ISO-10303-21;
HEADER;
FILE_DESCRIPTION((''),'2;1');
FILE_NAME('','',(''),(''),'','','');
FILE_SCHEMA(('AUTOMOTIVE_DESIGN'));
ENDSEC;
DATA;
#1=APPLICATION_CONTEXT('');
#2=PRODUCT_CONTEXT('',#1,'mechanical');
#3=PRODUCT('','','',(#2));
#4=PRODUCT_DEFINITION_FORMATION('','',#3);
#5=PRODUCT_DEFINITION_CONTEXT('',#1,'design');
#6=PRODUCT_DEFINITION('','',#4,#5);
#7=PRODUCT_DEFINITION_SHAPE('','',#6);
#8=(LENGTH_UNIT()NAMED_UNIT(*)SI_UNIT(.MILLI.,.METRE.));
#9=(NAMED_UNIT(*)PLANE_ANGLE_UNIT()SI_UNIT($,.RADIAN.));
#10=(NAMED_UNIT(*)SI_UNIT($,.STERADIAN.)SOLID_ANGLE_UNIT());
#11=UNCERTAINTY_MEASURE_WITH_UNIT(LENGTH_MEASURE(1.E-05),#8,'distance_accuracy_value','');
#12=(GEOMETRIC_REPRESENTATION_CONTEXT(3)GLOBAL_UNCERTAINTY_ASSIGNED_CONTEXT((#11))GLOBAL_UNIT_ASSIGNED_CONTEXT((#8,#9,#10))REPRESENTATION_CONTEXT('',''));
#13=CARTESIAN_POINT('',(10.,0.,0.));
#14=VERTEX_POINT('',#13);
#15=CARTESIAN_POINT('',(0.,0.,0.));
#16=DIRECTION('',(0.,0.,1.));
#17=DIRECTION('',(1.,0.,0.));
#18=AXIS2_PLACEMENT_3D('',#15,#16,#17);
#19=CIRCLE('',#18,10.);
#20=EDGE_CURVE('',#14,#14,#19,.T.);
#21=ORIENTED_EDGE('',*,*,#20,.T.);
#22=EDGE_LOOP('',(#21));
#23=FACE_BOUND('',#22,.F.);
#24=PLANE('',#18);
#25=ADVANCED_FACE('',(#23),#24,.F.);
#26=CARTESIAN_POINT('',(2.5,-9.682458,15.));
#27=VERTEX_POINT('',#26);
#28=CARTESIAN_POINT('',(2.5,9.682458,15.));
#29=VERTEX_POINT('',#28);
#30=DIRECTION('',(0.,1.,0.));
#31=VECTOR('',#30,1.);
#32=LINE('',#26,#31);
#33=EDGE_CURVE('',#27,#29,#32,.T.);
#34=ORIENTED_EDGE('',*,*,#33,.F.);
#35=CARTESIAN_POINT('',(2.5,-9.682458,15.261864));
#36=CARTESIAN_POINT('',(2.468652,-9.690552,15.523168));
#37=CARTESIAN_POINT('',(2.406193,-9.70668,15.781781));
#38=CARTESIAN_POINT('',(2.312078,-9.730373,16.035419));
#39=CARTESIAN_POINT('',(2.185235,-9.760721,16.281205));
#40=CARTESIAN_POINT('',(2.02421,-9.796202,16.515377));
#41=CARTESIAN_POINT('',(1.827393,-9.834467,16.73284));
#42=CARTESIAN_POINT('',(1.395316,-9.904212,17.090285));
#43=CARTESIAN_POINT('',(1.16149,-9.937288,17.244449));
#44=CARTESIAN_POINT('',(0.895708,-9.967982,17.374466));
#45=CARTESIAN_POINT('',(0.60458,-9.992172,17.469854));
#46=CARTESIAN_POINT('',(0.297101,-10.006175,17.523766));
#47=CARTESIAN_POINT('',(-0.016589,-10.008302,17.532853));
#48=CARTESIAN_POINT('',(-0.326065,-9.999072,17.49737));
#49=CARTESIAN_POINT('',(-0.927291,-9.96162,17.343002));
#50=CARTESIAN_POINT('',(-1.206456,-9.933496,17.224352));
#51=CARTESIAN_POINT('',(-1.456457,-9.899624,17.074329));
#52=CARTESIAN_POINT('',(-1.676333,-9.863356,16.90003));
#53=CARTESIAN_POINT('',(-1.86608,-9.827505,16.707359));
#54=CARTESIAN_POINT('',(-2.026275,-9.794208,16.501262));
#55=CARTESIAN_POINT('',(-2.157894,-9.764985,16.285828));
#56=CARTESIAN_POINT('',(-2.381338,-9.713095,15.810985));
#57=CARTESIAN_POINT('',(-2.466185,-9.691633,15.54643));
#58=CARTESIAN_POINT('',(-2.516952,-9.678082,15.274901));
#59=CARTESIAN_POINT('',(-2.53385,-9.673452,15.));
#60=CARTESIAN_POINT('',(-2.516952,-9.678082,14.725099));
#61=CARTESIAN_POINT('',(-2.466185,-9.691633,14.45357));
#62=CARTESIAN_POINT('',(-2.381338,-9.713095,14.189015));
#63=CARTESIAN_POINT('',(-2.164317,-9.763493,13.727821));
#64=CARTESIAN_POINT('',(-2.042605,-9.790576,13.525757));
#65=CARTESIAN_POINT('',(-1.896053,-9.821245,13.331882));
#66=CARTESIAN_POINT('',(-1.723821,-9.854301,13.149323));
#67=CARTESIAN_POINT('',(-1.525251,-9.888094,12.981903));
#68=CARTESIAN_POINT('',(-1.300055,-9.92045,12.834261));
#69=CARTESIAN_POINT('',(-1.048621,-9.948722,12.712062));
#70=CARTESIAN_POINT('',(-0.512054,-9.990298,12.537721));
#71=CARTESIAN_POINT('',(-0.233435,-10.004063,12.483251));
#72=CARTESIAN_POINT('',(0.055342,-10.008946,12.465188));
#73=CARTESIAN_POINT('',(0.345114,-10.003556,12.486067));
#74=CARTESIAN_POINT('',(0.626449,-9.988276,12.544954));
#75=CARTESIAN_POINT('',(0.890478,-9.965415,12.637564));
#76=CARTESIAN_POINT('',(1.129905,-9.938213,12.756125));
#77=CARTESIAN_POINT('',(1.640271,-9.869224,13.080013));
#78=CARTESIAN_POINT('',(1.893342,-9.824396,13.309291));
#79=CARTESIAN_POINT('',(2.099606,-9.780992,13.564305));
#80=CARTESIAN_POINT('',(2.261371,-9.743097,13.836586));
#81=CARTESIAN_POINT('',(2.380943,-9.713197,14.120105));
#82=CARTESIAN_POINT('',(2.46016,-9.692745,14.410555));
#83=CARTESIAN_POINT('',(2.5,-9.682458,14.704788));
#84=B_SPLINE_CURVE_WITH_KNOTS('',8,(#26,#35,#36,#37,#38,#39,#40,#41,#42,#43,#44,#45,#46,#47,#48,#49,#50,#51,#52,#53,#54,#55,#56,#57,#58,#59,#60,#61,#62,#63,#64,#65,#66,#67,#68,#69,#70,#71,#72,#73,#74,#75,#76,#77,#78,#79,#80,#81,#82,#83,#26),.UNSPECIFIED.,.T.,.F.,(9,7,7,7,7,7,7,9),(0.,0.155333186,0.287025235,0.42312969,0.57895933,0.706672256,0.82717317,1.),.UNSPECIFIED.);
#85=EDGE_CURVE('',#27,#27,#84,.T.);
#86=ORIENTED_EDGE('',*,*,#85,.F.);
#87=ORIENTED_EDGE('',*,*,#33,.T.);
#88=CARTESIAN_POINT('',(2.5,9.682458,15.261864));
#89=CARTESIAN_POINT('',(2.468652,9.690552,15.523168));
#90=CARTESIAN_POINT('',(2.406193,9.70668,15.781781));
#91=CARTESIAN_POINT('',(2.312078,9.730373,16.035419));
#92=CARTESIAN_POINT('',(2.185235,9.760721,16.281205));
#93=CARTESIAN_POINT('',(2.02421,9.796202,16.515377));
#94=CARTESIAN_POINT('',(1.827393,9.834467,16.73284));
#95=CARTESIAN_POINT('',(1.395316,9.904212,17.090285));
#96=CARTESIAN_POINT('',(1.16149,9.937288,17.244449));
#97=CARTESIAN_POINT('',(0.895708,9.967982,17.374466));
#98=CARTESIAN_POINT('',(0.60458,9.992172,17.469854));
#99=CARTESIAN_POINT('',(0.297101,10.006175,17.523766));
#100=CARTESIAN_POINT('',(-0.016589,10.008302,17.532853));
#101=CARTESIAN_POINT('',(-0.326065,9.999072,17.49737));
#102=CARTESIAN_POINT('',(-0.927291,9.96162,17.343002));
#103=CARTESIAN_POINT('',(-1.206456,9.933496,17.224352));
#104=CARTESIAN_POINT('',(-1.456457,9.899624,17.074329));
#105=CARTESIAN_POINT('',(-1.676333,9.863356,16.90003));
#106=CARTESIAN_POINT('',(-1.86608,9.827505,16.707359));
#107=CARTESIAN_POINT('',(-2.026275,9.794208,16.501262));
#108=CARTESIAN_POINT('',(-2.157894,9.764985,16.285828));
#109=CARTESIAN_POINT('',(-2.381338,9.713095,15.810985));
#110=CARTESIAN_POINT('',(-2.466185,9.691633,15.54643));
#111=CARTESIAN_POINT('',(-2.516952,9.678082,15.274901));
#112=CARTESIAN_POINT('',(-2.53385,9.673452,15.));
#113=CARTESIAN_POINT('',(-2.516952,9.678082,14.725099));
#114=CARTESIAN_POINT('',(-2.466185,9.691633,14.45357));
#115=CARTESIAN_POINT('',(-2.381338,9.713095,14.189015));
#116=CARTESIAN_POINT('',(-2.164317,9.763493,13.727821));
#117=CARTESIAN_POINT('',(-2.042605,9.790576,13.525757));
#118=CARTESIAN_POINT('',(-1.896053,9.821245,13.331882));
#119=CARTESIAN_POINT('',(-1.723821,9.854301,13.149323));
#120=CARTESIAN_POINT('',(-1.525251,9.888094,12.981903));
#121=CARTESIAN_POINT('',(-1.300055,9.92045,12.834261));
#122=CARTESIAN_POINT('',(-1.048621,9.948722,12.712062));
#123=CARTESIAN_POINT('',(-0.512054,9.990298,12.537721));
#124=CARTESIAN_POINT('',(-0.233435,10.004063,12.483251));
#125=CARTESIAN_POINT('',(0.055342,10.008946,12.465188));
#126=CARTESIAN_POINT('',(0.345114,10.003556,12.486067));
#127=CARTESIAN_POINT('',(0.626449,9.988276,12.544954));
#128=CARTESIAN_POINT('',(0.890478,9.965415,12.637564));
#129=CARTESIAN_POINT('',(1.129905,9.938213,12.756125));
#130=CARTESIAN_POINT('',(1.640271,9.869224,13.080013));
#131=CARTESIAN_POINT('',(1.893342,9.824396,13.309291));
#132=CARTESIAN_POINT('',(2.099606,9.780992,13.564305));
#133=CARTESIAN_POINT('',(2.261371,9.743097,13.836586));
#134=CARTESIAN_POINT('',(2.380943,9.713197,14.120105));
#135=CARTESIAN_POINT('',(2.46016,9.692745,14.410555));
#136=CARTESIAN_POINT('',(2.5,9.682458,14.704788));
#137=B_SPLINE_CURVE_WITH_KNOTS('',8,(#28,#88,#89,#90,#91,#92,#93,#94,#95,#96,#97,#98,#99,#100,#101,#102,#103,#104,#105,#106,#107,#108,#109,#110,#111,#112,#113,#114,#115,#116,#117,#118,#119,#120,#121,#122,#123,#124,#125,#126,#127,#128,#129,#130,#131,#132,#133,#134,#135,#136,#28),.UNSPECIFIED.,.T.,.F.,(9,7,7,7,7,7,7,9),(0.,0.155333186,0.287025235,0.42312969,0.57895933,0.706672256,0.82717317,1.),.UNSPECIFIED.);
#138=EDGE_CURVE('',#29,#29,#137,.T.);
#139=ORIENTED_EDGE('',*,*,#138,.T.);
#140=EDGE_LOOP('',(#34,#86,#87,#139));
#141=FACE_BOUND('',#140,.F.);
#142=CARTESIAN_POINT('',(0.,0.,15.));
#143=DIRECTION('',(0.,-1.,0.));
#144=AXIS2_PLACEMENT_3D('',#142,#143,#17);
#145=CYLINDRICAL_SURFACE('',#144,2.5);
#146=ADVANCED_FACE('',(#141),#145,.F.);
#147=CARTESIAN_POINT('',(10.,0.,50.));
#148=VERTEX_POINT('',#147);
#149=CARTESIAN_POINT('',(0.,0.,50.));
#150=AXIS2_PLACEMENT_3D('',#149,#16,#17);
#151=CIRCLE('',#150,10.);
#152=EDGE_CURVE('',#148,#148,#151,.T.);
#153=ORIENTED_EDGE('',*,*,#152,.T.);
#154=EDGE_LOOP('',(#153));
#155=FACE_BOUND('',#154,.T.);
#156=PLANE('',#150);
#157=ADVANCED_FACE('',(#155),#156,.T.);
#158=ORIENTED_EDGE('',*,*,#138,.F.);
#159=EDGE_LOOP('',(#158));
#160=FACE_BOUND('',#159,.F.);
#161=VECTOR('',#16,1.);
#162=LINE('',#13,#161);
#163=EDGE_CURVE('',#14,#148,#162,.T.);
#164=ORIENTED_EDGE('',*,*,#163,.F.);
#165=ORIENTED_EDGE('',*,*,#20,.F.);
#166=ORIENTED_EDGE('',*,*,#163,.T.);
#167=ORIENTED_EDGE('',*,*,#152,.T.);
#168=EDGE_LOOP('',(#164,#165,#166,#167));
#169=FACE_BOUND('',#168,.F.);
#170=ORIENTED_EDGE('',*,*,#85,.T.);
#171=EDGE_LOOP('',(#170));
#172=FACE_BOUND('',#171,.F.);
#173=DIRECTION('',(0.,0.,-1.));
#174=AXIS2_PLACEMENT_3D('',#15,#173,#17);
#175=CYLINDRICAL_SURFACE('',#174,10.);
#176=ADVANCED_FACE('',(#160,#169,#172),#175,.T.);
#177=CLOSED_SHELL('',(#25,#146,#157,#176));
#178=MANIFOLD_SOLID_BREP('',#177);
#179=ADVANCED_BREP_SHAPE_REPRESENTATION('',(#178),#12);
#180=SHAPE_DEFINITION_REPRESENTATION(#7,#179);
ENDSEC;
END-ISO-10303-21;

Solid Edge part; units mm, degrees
sketch "Sketch1" plane through (0, 0, 0) normal (0, 0, 1) x (1, 0, 0)
  circle A0 centre (0, 0) radius 10
extrude "Protrusion1" add sketch "Sketch1" along normal blind 50
sketch "Sketch2" plane through (0, 0, 0) normal (0, -1, 0) x (1, 0, 0)
  circle A0 centre (0, 15) radius 2.5
extrude "Cutout1" cut sketch "Sketch2" along normal through all and the other way through all
